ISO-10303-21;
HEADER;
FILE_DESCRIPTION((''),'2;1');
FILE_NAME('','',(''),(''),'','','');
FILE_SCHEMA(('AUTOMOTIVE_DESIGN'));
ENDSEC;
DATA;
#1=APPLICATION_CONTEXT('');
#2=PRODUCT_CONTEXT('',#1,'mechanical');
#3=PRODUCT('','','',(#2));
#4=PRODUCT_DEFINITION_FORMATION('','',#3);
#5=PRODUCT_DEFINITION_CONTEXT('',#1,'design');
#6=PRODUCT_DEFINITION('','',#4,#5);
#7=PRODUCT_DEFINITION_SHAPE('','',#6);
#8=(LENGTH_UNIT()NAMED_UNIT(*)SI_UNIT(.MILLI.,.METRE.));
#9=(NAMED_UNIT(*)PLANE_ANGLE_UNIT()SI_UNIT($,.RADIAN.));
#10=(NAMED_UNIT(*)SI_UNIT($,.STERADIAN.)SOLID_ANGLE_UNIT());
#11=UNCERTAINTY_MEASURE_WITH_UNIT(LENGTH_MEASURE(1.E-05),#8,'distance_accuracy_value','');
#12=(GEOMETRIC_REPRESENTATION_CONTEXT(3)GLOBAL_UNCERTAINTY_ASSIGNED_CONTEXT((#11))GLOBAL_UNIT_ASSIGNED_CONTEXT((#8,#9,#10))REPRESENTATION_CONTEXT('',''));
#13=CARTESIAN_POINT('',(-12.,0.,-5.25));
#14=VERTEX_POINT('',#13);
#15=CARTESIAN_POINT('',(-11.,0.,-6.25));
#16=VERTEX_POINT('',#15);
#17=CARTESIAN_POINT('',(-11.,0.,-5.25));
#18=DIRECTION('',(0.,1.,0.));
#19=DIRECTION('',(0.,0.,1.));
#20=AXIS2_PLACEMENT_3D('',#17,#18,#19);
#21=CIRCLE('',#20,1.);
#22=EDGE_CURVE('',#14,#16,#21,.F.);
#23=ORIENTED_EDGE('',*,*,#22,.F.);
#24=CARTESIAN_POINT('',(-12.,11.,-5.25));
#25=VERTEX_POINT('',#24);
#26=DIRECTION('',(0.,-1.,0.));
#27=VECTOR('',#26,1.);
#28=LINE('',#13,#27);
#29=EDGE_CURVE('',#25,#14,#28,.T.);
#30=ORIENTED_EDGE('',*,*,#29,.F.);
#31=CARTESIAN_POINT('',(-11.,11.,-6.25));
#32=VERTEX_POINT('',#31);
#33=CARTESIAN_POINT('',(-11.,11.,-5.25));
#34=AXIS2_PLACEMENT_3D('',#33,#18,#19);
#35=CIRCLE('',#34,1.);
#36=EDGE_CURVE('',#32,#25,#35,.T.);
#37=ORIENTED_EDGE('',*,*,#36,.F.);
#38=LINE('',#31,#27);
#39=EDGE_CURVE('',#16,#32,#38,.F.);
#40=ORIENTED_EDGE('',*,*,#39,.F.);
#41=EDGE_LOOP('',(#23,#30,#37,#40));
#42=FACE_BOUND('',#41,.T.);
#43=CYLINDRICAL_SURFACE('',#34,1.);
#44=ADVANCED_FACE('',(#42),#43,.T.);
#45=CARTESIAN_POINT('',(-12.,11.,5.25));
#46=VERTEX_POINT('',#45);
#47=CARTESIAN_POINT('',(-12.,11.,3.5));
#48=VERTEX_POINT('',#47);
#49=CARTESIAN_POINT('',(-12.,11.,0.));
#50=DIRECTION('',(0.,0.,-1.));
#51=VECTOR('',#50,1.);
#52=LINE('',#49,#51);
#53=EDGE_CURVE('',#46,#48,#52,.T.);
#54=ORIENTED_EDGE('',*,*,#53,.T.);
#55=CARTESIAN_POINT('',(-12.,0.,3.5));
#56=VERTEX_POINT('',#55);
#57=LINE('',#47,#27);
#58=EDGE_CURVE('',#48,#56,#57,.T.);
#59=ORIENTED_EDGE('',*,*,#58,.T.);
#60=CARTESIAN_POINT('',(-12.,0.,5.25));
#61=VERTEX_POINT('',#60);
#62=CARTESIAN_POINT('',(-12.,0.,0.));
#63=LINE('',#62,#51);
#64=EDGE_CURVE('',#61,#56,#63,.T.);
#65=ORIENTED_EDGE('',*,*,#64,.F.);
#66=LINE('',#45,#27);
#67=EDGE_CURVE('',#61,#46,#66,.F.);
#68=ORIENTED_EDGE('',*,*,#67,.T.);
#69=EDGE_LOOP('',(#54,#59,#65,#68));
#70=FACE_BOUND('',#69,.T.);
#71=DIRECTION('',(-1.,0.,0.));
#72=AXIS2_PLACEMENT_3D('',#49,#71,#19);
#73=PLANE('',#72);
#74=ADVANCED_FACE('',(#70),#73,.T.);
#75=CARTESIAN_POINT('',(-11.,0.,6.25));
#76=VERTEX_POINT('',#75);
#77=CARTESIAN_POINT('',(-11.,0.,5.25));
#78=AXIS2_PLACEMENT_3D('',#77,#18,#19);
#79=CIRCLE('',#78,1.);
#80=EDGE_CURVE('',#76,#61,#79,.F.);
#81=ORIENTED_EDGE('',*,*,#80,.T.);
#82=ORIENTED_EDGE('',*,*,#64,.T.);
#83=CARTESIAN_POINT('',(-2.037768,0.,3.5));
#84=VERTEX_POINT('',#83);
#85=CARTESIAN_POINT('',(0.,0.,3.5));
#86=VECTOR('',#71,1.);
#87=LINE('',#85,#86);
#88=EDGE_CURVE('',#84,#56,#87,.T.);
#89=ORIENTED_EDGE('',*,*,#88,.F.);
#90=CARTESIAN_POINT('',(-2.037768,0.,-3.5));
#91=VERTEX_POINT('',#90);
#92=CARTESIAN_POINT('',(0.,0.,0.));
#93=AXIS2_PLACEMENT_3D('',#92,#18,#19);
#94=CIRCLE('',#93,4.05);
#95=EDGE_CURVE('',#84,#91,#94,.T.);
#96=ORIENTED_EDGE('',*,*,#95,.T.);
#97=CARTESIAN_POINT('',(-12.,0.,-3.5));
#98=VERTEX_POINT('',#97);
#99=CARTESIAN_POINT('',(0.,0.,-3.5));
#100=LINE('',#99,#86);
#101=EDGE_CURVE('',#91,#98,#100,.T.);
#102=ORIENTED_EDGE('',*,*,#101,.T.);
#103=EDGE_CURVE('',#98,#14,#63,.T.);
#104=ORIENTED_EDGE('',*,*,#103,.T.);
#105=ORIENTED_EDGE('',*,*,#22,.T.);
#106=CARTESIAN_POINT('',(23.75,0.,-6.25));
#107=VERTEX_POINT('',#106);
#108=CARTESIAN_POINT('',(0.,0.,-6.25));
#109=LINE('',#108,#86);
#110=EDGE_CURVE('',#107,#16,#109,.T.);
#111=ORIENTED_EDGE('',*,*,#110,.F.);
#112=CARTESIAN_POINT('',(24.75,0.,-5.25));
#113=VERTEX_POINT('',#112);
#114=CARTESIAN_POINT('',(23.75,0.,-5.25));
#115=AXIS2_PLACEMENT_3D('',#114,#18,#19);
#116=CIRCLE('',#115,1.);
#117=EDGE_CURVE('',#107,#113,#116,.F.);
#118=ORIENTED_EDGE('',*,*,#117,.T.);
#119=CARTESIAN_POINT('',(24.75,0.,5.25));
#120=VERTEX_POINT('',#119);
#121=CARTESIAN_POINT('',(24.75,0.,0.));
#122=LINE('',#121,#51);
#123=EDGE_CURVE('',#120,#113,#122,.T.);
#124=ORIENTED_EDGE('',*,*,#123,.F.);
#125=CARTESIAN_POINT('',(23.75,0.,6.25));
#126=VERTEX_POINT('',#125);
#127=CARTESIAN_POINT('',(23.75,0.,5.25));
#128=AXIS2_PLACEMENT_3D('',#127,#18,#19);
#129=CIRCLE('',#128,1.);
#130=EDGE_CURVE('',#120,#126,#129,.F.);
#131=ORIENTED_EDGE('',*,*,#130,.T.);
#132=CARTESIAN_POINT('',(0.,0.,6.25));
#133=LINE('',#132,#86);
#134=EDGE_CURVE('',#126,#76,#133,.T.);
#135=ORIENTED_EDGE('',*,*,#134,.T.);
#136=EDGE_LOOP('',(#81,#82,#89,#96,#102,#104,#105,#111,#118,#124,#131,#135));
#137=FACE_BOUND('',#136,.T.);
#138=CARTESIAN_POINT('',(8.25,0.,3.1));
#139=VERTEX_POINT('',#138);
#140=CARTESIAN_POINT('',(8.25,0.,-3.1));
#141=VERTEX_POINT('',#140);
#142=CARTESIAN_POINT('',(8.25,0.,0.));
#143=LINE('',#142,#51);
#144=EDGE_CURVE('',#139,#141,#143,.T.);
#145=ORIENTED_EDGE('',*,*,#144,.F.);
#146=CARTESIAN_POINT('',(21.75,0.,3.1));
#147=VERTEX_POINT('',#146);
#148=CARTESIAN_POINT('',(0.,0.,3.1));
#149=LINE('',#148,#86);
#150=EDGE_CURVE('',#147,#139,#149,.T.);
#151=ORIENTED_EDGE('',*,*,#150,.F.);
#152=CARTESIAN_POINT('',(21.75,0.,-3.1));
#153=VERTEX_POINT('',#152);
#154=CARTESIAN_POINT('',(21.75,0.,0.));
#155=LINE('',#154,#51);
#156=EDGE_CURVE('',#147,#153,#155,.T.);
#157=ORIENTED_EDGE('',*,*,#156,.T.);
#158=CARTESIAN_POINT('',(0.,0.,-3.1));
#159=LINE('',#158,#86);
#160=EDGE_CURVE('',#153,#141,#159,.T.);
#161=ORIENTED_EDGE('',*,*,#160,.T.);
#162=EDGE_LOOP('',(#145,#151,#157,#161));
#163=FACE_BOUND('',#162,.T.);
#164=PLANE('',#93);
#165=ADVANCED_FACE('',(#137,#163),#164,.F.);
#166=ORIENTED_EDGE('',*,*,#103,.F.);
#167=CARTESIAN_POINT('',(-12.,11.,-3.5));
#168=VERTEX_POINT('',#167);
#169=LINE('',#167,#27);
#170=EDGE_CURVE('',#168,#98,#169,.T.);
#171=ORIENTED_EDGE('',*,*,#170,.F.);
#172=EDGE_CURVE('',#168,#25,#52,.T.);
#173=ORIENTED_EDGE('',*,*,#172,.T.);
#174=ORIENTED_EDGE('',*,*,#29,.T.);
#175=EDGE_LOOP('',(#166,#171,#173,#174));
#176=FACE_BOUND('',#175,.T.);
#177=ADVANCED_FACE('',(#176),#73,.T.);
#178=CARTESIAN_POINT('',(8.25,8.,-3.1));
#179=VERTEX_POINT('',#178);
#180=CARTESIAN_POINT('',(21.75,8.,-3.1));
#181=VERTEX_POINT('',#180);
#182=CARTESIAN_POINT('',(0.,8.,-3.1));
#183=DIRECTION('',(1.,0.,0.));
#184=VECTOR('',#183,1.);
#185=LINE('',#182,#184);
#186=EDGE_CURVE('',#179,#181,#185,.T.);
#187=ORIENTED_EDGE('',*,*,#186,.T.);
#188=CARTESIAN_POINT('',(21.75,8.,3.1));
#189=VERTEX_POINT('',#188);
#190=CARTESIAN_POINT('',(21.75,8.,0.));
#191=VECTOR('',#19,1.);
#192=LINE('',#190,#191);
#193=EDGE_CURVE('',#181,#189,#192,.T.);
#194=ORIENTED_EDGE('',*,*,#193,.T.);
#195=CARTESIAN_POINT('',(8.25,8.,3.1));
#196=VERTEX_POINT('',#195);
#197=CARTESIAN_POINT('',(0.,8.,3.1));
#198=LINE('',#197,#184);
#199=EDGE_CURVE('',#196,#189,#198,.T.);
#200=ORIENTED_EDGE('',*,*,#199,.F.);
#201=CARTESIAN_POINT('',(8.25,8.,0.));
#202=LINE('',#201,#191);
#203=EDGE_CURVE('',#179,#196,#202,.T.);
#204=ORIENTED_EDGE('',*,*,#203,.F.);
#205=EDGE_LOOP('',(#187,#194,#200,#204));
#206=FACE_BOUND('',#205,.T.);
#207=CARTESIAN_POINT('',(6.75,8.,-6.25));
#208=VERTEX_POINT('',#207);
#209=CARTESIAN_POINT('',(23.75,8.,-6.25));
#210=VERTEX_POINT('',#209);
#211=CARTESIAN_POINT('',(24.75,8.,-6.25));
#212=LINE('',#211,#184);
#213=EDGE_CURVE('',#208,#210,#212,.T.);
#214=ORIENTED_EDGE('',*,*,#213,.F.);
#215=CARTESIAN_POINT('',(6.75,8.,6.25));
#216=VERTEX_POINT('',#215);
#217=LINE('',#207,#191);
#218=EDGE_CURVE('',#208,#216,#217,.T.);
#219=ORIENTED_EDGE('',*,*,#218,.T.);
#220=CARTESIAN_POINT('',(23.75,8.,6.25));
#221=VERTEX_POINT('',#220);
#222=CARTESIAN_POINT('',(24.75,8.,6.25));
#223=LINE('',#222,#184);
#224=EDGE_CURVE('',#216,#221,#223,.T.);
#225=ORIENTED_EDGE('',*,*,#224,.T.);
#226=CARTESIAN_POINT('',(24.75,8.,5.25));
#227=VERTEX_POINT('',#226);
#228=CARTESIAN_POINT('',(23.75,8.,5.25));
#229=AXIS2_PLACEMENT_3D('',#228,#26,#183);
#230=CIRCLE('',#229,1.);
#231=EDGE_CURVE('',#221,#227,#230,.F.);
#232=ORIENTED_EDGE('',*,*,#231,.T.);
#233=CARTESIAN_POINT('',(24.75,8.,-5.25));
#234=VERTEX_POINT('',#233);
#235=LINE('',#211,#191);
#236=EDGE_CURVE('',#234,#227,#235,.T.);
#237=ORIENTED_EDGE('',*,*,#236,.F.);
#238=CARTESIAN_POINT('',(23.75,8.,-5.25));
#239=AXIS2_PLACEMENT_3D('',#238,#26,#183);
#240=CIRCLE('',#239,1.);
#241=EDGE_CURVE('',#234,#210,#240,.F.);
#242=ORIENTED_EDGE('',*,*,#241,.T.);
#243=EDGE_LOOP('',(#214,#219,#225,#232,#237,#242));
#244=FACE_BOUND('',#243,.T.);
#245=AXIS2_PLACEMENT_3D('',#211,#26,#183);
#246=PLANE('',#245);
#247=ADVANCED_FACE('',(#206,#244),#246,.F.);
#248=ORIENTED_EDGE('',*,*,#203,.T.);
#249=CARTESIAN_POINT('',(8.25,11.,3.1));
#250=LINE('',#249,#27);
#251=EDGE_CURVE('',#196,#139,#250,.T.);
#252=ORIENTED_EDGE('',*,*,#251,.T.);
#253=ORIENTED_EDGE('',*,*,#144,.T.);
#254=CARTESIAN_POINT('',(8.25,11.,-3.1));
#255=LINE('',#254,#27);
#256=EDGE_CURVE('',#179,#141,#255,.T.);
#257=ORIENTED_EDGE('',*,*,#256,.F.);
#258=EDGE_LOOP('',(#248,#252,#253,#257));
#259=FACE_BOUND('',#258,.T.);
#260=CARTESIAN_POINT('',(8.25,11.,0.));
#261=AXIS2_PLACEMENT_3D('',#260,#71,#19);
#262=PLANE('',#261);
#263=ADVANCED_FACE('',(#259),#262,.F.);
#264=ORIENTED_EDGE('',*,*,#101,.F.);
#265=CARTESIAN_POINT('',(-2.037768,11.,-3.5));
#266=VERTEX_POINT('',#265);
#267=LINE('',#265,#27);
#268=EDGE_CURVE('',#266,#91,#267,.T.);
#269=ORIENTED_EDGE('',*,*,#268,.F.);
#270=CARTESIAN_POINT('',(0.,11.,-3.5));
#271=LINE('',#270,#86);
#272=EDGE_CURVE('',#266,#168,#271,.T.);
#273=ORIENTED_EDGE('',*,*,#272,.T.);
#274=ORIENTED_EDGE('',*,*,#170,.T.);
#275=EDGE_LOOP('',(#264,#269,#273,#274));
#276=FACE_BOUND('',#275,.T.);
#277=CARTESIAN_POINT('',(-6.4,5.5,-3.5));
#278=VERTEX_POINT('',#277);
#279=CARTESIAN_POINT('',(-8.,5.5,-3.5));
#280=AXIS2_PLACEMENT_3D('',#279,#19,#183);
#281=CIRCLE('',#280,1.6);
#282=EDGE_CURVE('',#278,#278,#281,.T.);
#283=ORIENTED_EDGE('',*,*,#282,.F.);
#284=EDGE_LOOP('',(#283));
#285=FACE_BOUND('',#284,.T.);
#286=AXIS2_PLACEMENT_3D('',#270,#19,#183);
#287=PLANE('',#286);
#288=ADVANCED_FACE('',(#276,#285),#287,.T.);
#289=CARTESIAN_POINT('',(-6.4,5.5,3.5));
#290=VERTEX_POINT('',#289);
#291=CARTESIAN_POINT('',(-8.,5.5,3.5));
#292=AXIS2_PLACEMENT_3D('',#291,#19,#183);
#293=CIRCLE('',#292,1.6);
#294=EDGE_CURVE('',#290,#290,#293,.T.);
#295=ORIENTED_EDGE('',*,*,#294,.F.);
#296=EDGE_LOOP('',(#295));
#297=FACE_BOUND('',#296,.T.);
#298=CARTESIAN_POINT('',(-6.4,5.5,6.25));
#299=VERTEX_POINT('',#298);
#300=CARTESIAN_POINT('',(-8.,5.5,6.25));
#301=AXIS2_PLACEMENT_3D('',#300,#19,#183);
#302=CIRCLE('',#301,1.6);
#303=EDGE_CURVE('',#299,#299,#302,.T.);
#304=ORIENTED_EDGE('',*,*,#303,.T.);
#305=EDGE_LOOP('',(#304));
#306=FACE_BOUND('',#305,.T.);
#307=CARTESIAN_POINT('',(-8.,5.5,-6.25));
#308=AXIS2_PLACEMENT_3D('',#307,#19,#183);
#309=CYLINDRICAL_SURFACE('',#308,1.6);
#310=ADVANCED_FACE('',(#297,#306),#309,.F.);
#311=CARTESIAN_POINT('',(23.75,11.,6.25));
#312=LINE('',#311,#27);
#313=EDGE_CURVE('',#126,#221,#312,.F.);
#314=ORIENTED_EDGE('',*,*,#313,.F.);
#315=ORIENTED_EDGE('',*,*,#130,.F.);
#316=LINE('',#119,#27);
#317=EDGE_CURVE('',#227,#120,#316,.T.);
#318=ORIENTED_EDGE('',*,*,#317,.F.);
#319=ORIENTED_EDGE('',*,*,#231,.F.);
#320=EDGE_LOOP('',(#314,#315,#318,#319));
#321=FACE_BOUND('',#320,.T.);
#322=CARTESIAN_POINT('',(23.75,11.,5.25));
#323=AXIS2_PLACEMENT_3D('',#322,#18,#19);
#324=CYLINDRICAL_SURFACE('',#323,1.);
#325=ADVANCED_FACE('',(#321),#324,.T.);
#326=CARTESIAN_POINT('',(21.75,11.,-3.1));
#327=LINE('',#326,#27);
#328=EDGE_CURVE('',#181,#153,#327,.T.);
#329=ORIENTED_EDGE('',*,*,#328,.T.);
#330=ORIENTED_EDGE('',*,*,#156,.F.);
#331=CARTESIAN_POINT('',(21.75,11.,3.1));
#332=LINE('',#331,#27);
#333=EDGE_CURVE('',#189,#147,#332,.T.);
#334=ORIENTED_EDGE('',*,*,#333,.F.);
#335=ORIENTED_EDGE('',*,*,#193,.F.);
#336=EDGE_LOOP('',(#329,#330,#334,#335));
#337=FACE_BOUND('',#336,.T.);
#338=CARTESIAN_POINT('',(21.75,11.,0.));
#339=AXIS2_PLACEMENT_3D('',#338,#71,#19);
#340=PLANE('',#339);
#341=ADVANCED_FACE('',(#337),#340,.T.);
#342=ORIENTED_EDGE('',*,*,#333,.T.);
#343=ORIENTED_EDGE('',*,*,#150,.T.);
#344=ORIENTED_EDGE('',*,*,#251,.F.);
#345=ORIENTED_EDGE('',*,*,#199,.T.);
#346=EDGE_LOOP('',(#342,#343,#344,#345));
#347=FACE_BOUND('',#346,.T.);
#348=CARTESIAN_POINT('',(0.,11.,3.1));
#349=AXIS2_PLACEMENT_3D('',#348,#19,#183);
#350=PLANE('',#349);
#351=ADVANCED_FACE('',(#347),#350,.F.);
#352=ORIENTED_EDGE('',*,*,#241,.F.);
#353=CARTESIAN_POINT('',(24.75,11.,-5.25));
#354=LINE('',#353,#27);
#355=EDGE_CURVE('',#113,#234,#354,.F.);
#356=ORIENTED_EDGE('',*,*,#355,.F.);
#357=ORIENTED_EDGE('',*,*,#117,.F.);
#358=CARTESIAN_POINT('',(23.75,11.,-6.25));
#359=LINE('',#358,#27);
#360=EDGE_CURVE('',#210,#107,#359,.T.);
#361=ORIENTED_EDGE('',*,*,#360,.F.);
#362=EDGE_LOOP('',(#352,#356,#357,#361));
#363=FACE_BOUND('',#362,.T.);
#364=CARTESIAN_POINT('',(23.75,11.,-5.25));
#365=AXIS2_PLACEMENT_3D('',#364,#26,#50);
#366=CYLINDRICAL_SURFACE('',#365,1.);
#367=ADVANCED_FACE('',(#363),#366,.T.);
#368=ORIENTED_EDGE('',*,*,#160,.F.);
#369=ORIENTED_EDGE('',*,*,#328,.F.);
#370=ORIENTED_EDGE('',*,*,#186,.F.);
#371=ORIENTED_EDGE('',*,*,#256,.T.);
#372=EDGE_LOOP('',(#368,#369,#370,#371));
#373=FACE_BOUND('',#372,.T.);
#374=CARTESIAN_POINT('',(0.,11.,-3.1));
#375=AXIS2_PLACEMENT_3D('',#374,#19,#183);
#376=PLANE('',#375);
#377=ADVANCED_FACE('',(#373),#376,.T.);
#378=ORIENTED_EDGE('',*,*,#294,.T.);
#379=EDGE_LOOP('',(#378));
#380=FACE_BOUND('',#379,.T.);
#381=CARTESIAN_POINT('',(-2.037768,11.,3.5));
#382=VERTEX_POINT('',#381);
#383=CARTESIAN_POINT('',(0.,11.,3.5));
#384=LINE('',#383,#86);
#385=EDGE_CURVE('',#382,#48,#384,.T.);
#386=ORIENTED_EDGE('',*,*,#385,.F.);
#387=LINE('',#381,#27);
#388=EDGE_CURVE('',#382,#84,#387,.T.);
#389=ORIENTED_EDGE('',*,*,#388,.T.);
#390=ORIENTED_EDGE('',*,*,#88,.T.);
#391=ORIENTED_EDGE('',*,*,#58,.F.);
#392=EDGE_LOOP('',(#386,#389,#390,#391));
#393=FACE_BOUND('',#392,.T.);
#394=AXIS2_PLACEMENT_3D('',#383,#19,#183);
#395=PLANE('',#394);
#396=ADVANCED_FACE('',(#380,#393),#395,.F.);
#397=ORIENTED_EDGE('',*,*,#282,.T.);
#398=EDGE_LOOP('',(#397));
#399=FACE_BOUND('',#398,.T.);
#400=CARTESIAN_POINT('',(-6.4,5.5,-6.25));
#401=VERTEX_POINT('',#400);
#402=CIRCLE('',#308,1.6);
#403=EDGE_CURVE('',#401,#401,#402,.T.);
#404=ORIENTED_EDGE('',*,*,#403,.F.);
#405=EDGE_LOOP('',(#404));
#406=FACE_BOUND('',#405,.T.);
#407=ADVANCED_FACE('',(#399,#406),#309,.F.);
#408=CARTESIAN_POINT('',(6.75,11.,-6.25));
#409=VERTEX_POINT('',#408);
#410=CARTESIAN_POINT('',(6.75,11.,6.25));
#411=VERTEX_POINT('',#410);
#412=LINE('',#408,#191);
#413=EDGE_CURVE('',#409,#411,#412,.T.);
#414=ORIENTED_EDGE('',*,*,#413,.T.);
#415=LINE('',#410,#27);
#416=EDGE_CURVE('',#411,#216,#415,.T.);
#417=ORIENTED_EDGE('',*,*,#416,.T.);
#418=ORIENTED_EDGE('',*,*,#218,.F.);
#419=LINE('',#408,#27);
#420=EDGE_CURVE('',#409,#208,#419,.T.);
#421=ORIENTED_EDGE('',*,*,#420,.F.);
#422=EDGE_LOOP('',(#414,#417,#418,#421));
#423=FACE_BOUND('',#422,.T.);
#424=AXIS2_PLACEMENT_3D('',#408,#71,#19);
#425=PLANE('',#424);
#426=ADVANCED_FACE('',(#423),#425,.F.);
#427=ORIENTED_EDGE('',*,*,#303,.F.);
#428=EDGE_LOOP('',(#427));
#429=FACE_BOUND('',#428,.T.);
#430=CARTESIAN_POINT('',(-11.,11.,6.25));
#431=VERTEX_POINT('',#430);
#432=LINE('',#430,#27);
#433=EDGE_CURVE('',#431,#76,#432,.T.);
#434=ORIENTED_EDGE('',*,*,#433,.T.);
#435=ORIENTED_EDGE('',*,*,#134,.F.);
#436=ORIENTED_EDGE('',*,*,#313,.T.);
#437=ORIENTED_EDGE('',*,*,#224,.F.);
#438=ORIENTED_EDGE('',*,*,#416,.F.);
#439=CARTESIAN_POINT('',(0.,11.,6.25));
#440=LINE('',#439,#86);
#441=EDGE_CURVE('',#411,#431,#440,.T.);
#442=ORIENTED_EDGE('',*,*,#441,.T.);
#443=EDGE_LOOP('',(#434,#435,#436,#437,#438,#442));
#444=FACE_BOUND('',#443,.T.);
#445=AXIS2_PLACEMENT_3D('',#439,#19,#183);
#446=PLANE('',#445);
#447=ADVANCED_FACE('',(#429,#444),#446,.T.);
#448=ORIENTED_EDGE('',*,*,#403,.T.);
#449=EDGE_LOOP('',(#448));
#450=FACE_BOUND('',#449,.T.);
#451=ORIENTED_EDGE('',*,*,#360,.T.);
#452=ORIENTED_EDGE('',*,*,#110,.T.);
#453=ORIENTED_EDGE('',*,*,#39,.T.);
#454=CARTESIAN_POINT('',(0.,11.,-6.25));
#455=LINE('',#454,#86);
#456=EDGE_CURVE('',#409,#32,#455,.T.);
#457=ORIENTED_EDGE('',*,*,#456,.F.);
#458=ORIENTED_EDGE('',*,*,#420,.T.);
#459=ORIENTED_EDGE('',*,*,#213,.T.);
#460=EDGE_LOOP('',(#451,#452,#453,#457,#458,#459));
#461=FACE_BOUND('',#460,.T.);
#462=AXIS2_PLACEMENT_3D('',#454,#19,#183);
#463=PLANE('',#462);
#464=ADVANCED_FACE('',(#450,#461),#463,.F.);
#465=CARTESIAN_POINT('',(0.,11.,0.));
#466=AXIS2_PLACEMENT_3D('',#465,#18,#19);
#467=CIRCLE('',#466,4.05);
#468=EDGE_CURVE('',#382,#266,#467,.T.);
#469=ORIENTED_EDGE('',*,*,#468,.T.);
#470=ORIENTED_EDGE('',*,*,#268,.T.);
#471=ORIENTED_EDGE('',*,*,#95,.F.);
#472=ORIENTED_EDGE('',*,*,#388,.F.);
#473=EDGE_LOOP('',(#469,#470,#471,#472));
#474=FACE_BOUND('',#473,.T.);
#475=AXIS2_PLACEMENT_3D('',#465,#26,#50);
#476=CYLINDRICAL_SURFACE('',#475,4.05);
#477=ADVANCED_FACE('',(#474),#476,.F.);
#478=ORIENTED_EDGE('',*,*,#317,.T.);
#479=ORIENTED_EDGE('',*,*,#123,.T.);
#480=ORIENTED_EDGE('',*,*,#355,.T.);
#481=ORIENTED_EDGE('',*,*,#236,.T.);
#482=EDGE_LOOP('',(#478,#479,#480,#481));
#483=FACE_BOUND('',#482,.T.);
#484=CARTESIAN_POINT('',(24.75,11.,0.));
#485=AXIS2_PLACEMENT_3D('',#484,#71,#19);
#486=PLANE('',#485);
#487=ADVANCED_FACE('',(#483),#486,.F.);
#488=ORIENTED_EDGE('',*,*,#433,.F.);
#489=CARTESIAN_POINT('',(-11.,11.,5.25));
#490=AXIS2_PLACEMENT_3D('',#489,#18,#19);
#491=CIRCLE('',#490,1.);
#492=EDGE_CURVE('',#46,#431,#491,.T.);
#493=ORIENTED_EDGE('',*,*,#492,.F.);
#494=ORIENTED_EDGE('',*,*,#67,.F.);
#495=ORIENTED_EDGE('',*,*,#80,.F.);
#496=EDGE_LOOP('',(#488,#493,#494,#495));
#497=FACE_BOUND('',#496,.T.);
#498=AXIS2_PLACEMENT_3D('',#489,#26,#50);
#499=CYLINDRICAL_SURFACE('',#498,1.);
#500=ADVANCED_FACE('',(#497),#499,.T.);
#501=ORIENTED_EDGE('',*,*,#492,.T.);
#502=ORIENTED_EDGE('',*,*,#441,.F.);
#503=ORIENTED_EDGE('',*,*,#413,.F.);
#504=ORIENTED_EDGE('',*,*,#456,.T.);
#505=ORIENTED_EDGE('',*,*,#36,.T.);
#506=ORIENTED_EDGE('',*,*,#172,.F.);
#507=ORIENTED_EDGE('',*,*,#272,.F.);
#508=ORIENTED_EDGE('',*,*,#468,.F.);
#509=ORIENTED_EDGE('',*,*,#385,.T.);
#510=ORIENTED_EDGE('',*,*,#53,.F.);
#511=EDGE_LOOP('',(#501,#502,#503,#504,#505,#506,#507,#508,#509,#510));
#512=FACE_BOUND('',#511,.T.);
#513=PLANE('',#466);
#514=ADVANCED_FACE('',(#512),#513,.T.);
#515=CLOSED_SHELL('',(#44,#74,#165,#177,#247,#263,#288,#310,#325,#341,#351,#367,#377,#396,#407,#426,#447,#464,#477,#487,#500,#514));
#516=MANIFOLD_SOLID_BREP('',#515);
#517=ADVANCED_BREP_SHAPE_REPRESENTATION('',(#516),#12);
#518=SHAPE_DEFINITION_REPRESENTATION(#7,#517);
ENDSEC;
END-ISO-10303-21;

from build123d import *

# Parameters (mm, degrees)
SKETCH1_W           = 13.5
SKETCH1_H           = 6.2
BOSS_EXTRUDE1_DEPTH = 11
SKETCH2_R           = 1.6
CUT_EXTRUDE1_DEPTH  = 30.829725108
FILLET1_R           = 1
SKETCH3_W           = 18
SKETCH3_H           = 3
CUT_EXTRUDE2_DEPTH  = 30.829725108


with BuildPart() as part:
    # Sketch1 → Boss-Extrude1 (new body)
    with BuildSketch(Plane(origin=(0, 0, 0), x_dir=(1, 0, 0), z_dir=(0, 1, 0))):
        with BuildLine():
            Line((-12, -6.25), (24.75, -6.25))
            Line((24.75, -6.25), (24.75, 6.25))
            Line((24.75, 6.25), (-12, 6.25))
            Line((-12, 6.25), (-12, 3.5))
            Line((-12, 3.5), (-2.037768387, 3.5))
            ThreePointArc((-2.037768387, 3.5), (2.018605711, 3.511086867), (4.05, 0))
            ThreePointArc((4.05, 0), (2.018605711, -3.511086867), (-2.037768387, -3.5))
            Line((-2.037768387, -3.5), (-12, -3.5))
            Line((-12, -3.5), (-12, -6.25))
        make_face()
        with Locations((15, 0)):
            Rectangle(SKETCH1_W, SKETCH1_H, mode=Mode.SUBTRACT)
    extrude(amount=BOSS_EXTRUDE1_DEPTH)

    # Sketch2 → Cut-Extrude1 (cut, through all)
    with BuildSketch(Plane.XY.offset(6.25)):
        with Locations((-8, 5.5)):
            Circle(SKETCH2_R)
    extrude(amount=-CUT_EXTRUDE1_DEPTH, mode=Mode.SUBTRACT)

    # Fillet1
    fillet1_edges = [part.edges().sort_by_distance(p)[0] for p in [
        (-12, 5.5, -6.25),
        (24.75, 5.5, -6.25),
        (24.75, 5.5, 6.25),
        (-12, 5.5, 6.25),
    ]]
    fillet(fillet1_edges, radius=FILLET1_R)

    # Sketch3 → Cut-Extrude2 (cut, through all)
    with BuildSketch(Plane.XY.offset(6.25)):
        with Locations((15.75, 9.5)):
            Rectangle(SKETCH3_W, SKETCH3_H)
    extrude(amount=-CUT_EXTRUDE2_DEPTH, mode=Mode.SUBTRACT)


solid = part.part
